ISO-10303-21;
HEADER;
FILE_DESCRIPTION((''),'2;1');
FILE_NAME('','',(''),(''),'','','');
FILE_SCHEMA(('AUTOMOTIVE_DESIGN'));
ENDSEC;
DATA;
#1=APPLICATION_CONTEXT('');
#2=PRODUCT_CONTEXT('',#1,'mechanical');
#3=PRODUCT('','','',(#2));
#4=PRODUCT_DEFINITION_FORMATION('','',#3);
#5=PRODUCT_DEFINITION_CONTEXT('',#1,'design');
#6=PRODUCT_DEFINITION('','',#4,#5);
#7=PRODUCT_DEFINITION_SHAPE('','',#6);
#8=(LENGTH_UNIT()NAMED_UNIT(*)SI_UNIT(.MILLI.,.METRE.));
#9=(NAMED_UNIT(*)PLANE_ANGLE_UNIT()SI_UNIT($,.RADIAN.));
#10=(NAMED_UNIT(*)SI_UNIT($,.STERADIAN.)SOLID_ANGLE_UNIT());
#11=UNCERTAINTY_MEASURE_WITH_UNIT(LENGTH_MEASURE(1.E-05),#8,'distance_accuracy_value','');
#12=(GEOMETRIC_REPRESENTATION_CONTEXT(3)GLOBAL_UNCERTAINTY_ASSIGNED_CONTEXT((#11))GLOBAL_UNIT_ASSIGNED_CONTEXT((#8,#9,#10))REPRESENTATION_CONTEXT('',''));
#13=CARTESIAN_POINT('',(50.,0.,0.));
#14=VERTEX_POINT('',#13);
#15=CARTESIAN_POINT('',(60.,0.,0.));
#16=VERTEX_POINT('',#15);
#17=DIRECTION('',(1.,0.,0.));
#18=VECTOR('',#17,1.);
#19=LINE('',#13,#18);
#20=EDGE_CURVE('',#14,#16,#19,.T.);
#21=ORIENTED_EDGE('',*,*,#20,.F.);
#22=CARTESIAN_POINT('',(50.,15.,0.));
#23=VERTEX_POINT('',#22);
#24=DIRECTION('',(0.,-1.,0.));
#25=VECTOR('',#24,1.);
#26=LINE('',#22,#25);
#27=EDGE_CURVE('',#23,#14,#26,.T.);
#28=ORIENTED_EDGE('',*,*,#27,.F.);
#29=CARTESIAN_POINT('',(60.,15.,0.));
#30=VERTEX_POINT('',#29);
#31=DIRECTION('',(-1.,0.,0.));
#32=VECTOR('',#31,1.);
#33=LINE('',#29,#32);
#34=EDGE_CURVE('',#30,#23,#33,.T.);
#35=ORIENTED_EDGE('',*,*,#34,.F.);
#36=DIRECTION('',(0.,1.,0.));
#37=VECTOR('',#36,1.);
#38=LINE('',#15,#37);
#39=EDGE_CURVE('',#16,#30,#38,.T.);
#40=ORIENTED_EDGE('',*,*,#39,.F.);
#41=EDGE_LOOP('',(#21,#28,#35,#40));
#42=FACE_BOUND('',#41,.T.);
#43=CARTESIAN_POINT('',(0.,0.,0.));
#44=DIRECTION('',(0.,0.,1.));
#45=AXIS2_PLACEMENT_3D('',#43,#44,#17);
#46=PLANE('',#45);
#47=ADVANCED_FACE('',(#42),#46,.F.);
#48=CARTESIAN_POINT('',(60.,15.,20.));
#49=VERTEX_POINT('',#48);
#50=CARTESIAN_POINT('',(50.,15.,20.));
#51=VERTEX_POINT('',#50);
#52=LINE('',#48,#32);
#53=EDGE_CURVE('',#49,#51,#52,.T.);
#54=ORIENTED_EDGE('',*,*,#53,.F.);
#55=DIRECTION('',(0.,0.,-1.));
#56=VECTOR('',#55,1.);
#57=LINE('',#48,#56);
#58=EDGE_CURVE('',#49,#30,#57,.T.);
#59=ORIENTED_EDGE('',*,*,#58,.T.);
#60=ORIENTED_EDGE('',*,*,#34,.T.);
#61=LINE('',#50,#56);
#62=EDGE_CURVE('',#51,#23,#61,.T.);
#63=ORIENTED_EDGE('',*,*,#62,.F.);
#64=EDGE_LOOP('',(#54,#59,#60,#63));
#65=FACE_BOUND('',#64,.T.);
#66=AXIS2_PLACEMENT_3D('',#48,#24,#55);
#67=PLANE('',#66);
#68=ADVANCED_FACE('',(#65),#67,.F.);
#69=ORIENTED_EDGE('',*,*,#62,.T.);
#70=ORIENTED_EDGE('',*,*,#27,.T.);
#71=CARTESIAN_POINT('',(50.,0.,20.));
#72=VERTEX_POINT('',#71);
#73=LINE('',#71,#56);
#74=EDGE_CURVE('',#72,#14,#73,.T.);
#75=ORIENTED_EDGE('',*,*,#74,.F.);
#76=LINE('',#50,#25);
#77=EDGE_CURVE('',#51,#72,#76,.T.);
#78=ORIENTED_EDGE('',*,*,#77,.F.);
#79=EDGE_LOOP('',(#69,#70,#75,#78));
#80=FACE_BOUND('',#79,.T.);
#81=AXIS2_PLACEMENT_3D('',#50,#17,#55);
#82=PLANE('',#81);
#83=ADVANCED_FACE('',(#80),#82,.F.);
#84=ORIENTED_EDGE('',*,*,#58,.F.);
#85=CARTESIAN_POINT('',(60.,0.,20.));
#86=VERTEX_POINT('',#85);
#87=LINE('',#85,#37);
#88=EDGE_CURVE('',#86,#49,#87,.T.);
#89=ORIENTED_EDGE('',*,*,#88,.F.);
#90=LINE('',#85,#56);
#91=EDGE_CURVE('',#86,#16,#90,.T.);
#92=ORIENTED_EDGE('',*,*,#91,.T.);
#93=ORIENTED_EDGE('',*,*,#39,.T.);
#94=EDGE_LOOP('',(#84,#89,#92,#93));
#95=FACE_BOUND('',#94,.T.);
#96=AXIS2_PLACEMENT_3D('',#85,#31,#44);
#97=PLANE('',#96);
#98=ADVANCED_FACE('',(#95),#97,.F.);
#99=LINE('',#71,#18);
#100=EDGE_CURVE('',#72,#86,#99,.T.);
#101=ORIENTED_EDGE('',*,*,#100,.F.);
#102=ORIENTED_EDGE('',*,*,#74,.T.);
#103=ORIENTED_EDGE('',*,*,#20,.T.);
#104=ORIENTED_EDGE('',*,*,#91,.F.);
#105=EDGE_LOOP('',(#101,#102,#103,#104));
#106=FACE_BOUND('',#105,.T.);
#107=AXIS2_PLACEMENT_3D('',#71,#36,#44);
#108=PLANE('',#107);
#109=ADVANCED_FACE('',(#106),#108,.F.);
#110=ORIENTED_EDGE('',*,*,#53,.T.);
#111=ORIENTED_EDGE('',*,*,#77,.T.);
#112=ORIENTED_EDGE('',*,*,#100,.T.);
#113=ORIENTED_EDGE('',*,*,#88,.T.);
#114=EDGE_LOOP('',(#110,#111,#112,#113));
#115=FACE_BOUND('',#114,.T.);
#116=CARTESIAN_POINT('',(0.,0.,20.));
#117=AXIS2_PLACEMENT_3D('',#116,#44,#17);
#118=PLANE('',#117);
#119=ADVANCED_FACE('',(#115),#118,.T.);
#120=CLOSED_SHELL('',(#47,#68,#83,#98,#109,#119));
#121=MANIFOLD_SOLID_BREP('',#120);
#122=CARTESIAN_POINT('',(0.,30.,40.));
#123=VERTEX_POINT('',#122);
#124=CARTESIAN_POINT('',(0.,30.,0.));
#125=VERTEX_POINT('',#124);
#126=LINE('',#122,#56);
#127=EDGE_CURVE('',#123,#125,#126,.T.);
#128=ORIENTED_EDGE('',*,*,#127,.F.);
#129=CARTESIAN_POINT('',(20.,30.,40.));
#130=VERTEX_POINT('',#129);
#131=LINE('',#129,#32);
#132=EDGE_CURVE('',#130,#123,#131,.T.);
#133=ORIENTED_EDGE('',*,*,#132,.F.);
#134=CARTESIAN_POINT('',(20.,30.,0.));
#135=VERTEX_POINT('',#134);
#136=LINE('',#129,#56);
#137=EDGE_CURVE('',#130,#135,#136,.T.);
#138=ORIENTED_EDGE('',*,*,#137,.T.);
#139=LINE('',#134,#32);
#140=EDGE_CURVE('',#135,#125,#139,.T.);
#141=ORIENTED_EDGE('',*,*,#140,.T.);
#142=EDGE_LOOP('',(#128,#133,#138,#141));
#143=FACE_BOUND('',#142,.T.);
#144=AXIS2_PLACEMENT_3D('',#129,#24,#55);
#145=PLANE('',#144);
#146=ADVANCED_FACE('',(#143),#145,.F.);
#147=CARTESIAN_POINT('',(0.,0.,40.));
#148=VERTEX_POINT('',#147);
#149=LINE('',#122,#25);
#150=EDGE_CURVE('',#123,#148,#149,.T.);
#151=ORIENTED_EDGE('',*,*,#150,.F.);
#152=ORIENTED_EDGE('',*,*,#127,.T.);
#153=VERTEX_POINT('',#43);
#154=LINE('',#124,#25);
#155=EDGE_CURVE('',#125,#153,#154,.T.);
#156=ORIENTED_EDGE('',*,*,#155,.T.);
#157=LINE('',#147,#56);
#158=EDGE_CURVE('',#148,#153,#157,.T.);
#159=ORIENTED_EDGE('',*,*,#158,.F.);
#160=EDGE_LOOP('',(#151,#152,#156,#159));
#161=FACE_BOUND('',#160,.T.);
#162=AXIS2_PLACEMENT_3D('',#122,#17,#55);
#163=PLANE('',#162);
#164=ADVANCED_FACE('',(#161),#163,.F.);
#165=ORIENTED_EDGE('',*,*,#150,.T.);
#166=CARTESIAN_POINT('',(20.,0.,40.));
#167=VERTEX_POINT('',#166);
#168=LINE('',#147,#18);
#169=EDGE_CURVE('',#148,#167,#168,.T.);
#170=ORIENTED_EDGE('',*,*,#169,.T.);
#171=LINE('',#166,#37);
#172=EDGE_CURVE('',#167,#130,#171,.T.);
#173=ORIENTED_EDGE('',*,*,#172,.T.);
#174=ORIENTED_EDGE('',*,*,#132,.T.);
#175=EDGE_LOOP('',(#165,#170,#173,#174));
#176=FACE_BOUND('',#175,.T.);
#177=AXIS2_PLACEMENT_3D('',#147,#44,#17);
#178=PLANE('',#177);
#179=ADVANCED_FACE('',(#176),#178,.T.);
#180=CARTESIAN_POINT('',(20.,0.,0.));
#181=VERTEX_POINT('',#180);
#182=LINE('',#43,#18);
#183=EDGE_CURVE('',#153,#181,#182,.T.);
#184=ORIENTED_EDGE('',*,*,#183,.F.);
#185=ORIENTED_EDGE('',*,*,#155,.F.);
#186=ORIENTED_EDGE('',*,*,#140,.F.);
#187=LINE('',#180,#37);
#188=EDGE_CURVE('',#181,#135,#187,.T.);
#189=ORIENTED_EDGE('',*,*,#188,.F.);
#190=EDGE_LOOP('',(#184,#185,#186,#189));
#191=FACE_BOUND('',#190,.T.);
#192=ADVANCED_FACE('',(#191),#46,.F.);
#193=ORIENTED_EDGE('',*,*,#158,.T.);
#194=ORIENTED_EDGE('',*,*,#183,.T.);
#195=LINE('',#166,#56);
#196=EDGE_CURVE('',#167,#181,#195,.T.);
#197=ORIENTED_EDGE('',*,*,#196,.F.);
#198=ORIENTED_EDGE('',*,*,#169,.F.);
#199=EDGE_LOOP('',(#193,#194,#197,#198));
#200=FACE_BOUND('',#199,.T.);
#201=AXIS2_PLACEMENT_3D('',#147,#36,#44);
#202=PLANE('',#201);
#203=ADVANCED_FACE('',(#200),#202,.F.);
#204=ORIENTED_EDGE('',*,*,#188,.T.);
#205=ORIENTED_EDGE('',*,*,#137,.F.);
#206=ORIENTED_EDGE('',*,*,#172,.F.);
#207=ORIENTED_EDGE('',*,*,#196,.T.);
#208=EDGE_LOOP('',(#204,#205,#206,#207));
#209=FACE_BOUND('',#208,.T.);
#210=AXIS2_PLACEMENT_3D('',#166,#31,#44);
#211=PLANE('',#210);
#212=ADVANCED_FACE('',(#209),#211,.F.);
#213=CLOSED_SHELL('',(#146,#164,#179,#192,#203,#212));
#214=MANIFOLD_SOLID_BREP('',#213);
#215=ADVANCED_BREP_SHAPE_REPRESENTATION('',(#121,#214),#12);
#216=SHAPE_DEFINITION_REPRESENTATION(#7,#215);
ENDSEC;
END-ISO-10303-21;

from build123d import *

# Parameters (mm, degrees)
SKETCH_LARGE_W      = 20
SKETCH_LARGE_H      = 30
FEATURE_LARGE_DEPTH = 40
SKETCH_SMALL_W      = 10
SKETCH_SMALL_H      = 15
FEATURE_SMALL_DEPTH = 20


with BuildPart() as part:
    # sketch:large → feature:large (new body)
    with BuildSketch(Plane.XY):
        with Locations((10, 15)):
            Rectangle(SKETCH_LARGE_W, SKETCH_LARGE_H)
    extrude(amount=FEATURE_LARGE_DEPTH)


with BuildPart() as body_2:
    # sketch:small → feature:small (new body)
    with BuildSketch(Plane.XY):
        with Locations((55, 7.5)):
            Rectangle(SKETCH_SMALL_W, SKETCH_SMALL_H)
    extrude(amount=FEATURE_SMALL_DEPTH)


solid = Compound([part.part, body_2.part])
